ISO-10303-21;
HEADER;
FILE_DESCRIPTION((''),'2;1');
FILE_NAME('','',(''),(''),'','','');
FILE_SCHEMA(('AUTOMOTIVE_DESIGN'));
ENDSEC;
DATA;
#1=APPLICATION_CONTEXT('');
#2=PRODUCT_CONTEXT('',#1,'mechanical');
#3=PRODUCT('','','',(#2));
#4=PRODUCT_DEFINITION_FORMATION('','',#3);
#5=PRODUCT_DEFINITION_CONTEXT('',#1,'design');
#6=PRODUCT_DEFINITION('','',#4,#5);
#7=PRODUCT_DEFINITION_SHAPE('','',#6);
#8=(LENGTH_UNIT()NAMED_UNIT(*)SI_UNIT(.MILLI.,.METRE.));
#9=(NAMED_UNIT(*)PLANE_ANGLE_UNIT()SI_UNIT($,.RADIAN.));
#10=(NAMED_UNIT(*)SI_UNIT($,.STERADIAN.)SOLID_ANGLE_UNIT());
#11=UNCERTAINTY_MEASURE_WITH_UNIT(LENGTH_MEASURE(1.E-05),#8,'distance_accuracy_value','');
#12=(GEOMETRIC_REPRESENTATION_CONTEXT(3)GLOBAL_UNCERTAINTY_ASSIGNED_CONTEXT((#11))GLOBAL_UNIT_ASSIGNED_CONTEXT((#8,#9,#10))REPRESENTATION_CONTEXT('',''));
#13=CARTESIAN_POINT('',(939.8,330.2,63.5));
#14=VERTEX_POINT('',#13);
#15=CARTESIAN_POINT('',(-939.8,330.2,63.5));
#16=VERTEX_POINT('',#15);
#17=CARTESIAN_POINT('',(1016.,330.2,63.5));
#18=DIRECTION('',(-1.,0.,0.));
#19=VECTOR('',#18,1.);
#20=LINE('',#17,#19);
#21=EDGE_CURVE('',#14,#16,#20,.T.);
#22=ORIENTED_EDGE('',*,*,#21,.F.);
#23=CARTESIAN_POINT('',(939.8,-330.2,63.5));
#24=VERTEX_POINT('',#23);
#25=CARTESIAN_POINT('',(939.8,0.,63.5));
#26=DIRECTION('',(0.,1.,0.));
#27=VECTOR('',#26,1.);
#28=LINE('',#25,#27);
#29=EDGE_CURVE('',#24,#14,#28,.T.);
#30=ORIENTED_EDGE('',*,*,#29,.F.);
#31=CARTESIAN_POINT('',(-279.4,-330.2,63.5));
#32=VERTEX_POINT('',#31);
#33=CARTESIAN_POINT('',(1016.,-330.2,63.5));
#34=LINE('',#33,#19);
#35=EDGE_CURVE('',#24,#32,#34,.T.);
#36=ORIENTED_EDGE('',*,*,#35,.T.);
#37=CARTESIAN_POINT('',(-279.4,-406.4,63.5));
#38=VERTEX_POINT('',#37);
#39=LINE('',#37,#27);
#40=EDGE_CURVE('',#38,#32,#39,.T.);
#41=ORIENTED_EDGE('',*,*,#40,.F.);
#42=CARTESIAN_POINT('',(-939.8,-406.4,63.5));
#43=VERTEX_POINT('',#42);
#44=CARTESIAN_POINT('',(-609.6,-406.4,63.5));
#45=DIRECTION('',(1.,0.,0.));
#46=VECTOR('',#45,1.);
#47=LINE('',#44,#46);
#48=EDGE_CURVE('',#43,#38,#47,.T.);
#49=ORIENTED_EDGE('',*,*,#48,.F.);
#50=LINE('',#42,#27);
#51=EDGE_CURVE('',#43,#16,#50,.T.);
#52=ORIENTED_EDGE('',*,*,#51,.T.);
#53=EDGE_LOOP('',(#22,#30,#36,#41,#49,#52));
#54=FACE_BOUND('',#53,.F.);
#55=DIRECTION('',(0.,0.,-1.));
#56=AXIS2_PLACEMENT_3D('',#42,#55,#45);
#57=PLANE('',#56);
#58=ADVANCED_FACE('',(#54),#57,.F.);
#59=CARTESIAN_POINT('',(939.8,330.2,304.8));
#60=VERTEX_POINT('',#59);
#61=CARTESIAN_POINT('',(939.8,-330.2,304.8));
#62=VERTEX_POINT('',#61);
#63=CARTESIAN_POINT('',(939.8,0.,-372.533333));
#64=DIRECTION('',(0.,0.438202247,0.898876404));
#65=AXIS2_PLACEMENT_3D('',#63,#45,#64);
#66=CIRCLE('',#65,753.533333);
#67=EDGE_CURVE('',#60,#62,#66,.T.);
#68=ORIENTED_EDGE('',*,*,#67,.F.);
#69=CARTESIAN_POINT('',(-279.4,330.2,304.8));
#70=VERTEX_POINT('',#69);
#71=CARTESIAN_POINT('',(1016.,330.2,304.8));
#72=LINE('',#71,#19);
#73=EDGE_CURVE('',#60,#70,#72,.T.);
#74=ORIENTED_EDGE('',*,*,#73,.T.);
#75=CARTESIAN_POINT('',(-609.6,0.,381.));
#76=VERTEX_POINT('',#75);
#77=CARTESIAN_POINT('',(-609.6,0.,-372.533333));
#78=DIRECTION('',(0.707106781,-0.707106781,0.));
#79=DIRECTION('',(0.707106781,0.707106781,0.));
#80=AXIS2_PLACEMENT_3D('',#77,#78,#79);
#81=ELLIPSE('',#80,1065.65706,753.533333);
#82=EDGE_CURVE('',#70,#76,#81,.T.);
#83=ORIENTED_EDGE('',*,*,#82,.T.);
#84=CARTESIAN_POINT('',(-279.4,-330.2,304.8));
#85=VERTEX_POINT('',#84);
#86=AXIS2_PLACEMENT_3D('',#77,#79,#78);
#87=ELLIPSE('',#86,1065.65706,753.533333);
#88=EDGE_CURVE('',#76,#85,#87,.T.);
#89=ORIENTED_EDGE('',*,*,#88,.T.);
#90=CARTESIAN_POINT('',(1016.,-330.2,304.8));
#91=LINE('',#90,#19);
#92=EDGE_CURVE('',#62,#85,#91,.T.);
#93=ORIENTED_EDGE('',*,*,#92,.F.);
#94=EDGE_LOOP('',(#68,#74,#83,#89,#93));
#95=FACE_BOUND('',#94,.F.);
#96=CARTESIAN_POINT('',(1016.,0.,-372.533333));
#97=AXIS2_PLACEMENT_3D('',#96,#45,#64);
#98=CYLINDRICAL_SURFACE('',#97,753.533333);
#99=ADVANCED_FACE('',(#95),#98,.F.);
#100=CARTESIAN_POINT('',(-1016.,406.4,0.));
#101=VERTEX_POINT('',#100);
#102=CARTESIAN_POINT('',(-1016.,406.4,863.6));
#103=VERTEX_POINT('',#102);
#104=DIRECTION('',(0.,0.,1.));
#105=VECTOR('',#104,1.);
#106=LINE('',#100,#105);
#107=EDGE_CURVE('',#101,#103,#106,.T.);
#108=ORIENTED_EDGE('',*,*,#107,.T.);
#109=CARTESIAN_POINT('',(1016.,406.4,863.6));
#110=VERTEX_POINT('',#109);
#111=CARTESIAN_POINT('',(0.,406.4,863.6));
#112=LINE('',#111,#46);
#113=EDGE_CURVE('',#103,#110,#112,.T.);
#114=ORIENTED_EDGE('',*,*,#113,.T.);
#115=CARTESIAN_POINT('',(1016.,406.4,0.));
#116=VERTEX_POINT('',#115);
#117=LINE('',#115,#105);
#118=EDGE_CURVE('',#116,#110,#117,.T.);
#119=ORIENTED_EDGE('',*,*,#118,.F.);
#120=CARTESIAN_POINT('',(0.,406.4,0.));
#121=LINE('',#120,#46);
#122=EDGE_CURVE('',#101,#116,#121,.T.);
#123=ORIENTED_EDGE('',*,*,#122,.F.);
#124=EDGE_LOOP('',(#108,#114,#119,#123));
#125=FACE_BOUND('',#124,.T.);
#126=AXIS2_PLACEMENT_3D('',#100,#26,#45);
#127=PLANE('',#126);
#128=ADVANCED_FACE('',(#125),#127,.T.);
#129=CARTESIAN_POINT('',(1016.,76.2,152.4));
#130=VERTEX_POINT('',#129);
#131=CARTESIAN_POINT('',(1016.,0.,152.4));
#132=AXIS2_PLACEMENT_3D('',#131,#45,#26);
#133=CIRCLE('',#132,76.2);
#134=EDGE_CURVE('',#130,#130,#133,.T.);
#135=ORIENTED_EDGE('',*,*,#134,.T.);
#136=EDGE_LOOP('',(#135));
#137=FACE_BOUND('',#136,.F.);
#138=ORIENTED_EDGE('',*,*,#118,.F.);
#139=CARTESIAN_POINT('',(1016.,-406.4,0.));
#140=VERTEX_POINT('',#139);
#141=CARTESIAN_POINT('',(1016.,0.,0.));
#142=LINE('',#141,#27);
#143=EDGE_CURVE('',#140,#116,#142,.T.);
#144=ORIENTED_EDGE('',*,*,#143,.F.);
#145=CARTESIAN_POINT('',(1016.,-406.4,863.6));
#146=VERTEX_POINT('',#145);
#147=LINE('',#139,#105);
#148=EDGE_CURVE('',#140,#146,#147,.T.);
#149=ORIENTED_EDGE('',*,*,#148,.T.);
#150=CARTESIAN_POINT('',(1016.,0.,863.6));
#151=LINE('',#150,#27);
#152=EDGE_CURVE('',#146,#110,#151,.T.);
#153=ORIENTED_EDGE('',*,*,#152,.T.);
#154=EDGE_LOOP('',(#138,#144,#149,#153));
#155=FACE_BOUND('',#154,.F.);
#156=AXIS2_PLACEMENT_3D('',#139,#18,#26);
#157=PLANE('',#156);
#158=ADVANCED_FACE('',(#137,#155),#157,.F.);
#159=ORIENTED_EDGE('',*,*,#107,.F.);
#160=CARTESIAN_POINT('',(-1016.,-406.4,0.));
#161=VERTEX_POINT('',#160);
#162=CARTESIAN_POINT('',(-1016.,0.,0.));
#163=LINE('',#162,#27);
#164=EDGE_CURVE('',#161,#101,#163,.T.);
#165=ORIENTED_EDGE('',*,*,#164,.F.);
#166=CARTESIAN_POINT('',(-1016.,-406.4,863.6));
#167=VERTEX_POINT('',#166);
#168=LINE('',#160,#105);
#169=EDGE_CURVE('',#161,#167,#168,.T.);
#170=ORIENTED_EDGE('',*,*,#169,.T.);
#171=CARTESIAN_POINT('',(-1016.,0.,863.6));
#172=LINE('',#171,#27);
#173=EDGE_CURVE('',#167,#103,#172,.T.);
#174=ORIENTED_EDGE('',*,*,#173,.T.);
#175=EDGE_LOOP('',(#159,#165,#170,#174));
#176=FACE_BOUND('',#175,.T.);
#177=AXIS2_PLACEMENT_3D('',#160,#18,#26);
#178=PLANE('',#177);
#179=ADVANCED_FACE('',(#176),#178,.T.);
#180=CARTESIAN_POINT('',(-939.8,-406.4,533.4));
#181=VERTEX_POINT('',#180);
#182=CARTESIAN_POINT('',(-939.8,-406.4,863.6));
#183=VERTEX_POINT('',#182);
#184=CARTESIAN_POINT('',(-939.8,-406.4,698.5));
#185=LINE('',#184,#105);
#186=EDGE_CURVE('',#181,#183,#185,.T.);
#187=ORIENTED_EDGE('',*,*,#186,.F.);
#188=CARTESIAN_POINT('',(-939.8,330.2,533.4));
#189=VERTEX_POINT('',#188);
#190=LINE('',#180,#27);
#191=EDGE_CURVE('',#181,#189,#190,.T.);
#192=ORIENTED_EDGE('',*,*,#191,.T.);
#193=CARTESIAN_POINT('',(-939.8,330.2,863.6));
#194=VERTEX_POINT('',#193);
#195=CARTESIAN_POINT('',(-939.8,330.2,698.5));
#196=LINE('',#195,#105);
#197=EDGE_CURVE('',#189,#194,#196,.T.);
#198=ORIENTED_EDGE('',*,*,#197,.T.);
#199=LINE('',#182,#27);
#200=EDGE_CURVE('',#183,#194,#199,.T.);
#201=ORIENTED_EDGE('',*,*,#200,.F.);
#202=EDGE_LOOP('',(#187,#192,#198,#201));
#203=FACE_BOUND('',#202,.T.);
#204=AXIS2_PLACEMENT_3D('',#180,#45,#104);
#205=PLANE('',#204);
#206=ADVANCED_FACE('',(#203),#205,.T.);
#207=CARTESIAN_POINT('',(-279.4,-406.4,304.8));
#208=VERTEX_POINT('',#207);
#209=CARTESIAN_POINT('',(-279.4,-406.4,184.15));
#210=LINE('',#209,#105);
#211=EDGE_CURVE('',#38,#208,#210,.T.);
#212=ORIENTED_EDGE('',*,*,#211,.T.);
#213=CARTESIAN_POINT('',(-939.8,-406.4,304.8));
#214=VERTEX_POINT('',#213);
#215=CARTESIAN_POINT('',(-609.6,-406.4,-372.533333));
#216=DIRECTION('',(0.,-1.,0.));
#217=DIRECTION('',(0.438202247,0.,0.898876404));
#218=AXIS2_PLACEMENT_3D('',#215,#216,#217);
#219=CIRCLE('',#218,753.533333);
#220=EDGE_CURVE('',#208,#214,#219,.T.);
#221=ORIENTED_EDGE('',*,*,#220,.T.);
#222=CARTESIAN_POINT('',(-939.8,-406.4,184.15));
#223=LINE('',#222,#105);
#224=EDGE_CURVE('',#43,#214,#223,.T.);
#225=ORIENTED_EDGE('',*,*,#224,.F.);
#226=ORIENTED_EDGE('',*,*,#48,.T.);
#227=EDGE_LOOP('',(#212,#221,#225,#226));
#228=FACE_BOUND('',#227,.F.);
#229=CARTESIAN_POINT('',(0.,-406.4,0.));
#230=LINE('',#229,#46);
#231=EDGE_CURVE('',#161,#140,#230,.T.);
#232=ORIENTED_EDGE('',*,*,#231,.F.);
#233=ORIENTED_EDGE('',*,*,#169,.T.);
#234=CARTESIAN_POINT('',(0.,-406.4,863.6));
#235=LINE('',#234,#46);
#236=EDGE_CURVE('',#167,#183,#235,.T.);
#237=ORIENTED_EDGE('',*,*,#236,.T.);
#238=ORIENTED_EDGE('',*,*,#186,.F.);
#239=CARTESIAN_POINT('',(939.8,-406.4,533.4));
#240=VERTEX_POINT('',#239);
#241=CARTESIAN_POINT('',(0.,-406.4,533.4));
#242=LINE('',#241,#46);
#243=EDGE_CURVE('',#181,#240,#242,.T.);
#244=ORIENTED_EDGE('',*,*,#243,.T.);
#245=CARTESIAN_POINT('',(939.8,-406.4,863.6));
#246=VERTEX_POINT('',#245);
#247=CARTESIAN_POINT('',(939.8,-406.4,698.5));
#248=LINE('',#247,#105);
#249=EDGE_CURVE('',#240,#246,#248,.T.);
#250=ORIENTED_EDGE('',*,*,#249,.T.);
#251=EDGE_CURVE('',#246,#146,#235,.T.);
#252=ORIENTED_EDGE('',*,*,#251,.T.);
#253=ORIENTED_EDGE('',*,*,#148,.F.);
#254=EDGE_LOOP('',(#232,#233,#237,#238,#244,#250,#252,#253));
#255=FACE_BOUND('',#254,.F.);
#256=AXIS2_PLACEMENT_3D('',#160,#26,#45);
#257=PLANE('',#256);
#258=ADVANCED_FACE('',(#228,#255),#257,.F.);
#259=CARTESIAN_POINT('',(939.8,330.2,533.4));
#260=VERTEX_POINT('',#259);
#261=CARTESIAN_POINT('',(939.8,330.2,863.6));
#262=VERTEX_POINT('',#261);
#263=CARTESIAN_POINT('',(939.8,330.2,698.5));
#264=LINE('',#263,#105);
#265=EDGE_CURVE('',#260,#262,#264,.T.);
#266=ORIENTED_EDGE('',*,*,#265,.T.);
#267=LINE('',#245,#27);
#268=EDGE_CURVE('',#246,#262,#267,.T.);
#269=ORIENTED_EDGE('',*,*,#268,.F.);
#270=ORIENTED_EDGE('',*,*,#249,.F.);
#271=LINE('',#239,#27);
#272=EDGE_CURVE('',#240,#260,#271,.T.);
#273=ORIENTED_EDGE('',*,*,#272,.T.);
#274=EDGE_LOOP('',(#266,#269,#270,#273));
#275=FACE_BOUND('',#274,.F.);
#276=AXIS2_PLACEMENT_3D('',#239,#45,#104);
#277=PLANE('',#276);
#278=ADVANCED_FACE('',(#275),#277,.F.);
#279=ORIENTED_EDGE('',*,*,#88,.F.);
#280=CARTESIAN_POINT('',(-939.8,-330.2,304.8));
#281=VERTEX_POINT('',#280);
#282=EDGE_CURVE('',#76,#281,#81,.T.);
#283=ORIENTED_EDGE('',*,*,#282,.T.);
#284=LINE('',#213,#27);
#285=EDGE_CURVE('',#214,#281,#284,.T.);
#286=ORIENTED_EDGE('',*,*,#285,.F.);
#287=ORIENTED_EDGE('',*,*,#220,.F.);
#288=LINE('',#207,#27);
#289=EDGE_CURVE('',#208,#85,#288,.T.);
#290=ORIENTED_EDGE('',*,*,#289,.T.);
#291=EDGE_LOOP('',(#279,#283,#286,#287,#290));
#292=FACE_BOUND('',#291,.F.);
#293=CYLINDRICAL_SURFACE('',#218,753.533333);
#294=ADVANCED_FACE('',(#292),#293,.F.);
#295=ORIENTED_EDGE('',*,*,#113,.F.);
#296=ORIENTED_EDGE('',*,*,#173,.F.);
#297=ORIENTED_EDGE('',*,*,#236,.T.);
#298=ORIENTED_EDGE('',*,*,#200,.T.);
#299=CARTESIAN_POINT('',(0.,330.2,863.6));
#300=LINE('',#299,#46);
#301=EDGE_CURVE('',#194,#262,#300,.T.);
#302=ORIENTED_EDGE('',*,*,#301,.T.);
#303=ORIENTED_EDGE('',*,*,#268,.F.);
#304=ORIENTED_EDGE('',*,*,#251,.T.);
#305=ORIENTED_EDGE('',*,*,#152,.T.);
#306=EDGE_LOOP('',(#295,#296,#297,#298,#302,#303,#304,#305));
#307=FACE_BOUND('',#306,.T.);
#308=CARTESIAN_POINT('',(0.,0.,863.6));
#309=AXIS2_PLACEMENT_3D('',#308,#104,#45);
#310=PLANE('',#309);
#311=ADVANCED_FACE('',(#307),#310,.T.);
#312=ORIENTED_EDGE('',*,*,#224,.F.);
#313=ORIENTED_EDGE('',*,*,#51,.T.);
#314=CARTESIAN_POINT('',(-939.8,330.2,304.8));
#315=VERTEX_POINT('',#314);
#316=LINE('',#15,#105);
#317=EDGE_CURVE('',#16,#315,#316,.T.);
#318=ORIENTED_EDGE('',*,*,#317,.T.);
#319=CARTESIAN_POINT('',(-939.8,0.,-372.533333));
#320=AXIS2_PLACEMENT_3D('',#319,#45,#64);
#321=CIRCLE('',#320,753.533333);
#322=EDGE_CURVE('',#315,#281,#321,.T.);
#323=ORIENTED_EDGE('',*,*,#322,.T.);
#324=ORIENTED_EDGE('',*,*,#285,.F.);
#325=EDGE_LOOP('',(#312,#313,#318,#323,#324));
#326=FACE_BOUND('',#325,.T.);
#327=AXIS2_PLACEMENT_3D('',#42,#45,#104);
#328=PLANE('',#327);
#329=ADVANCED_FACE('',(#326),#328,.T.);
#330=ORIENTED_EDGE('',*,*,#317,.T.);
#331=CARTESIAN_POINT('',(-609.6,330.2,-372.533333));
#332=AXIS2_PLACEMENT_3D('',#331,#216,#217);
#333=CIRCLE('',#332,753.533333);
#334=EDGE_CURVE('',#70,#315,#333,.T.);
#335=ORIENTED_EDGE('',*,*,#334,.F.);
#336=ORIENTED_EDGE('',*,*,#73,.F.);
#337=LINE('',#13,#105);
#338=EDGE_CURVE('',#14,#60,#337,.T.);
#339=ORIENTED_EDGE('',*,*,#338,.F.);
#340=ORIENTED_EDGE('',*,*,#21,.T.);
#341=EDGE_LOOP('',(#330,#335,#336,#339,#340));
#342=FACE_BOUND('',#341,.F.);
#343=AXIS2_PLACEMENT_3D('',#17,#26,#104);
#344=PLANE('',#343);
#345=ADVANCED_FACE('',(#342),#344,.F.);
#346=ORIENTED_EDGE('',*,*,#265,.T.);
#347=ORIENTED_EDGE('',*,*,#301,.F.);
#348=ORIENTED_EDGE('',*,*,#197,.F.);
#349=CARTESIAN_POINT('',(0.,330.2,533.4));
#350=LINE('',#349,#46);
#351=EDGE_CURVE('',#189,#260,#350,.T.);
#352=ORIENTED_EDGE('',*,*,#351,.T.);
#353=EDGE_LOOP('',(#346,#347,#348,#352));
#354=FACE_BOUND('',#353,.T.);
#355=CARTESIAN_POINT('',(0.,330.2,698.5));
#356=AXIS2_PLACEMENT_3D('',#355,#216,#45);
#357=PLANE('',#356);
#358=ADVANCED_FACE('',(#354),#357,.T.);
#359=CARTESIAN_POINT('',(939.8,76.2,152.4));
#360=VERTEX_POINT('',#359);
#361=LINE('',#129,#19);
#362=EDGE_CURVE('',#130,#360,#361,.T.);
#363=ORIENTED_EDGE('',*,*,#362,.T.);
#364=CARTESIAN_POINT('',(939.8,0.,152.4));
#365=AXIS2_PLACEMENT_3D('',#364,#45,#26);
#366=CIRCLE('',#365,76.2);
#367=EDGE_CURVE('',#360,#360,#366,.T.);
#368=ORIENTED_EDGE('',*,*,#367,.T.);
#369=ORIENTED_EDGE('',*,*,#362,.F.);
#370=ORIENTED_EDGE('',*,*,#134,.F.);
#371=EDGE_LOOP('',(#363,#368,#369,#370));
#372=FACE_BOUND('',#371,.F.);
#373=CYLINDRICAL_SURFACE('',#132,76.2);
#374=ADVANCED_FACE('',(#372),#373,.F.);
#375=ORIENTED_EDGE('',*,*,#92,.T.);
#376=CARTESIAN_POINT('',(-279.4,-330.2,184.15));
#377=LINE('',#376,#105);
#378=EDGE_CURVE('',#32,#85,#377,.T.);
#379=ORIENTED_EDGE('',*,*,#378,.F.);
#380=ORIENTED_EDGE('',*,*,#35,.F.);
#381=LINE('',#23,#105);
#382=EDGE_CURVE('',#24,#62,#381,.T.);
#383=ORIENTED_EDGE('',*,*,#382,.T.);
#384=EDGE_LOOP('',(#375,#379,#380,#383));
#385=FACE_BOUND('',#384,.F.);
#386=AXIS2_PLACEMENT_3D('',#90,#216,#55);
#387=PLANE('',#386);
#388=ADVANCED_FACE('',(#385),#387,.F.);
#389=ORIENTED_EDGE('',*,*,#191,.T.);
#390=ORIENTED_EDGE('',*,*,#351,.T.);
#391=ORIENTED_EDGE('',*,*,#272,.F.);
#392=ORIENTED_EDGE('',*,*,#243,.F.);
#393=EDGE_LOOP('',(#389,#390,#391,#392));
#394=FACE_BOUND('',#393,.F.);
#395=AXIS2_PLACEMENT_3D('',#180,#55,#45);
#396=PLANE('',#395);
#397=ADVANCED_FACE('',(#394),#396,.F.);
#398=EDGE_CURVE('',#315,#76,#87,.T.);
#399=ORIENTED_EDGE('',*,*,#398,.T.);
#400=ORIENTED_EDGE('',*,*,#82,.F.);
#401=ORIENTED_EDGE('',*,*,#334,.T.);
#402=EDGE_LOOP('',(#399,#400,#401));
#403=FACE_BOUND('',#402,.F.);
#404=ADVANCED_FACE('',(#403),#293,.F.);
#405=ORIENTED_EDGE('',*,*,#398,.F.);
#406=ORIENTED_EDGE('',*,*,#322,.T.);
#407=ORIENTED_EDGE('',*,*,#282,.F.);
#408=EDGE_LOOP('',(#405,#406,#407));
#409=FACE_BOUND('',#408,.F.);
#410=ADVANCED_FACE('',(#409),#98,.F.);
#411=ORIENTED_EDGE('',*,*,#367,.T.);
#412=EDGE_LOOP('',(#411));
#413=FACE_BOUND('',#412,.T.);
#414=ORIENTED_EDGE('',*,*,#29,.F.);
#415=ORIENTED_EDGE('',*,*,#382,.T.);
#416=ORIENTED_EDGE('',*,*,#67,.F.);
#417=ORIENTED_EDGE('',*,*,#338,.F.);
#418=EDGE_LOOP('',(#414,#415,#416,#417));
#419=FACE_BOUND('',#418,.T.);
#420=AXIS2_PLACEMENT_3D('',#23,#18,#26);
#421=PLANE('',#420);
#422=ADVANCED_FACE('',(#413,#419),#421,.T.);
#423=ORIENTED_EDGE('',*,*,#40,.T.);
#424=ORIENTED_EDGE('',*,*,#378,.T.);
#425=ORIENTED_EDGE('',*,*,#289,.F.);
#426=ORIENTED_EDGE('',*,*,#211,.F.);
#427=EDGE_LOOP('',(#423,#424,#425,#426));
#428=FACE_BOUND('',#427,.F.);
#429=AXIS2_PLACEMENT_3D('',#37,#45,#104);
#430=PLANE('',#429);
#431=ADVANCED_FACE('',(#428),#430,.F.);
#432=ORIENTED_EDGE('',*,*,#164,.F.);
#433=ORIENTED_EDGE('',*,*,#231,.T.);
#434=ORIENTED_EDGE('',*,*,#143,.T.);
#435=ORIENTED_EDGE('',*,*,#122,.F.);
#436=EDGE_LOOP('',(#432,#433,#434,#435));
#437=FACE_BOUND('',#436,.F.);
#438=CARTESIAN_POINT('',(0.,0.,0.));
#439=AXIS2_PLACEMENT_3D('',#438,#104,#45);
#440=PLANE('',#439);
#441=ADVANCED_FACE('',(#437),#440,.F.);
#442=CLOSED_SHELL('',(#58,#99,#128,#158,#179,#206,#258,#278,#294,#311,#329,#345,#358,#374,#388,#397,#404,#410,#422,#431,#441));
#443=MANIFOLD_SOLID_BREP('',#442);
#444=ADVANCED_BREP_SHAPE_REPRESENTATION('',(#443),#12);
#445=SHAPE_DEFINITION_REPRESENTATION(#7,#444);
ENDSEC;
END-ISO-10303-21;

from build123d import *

# Parameters (mm, degrees)
F0_W      = 2032
F0_H      = 812.8
F1_DEPTH  = 914.4
F4_DEPTH  = 1955.8
F3_W      = 1879.6
F3_H      = 330.2
F5_DEPTH  = 736.6
F6_W      = 660.4
F6_H      = 241.3
F7_DEPTH  = 736.6
F8_W      = 76.2
F8_H      = 660.4
F10_R     = 76.2
F11_DEPTH = 76.2
F12_DEPTH = 50.8


with BuildPart() as f1:
    # F0 (on Top) → F1 (new body)
    with BuildSketch(Plane.XY):
        Rectangle(F0_W, F0_H)
    extrude(amount=F1_DEPTH)

    # F2 (on face) → F4 (cut)
    with BuildSketch(Plane.YZ.offset(1016)):
        with BuildLine():
            Line((330.2, 63.5), (330.2, 304.8))
            ThreePointArc((330.2, 304.8), (0, 381), (-330.2, 304.8))
            Line((-330.2, 304.8), (-330.2, 63.5))
            Line((-330.2, 63.5), (330.2, 63.5))
        make_face()
    extrude(amount=-F4_DEPTH, mode=Mode.SUBTRACT)

    # F3 (on face) → F5 (cut)
    with BuildSketch(Plane.XZ.offset(406.4)):
        with Locations((0, 698.5)):
            Rectangle(F3_W, F3_H)
    extrude(amount=-F5_DEPTH, mode=Mode.SUBTRACT)

    # F6 (on face) → F7 (cut)
    with BuildSketch(Plane.XZ.offset(406.4)):
        with Locations((-609.6, 184.15)):
            Rectangle(F6_W, F6_H)
        with BuildLine():
            ThreePointArc((-279.4, 304.8), (-609.6, 381), (-939.8, 304.8))
            Line((-939.8, 304.8), (-279.4, 304.8))
        make_face()
    extrude(amount=-F7_DEPTH, mode=Mode.SUBTRACT)

    # F8 (on face) → F9 (join, up to the next surface of F1)
    with BuildSketch(Plane.XY.offset(63.5)):
        with Locations((977.9, 0)):
            Rectangle(F8_W, F8_H)
    extrude(until=Until.NEXT)

    # F10 (on face) → F11 (cut, through all)
    with BuildSketch(Plane.YZ.offset(1016)):
        with Locations((0, 152.4)):
            Circle(F10_R)
    extrude(amount=-F11_DEPTH, mode=Mode.SUBTRACT)

    # F12 (cut): a face of the model
    f12_faces = [f1.faces().sort_by_distance(p)[0] for p in [
        (0, 0, 914.4),
    ]]
    extrude(f12_faces, amount=-F12_DEPTH, mode=Mode.SUBTRACT)


solid = f1.part
